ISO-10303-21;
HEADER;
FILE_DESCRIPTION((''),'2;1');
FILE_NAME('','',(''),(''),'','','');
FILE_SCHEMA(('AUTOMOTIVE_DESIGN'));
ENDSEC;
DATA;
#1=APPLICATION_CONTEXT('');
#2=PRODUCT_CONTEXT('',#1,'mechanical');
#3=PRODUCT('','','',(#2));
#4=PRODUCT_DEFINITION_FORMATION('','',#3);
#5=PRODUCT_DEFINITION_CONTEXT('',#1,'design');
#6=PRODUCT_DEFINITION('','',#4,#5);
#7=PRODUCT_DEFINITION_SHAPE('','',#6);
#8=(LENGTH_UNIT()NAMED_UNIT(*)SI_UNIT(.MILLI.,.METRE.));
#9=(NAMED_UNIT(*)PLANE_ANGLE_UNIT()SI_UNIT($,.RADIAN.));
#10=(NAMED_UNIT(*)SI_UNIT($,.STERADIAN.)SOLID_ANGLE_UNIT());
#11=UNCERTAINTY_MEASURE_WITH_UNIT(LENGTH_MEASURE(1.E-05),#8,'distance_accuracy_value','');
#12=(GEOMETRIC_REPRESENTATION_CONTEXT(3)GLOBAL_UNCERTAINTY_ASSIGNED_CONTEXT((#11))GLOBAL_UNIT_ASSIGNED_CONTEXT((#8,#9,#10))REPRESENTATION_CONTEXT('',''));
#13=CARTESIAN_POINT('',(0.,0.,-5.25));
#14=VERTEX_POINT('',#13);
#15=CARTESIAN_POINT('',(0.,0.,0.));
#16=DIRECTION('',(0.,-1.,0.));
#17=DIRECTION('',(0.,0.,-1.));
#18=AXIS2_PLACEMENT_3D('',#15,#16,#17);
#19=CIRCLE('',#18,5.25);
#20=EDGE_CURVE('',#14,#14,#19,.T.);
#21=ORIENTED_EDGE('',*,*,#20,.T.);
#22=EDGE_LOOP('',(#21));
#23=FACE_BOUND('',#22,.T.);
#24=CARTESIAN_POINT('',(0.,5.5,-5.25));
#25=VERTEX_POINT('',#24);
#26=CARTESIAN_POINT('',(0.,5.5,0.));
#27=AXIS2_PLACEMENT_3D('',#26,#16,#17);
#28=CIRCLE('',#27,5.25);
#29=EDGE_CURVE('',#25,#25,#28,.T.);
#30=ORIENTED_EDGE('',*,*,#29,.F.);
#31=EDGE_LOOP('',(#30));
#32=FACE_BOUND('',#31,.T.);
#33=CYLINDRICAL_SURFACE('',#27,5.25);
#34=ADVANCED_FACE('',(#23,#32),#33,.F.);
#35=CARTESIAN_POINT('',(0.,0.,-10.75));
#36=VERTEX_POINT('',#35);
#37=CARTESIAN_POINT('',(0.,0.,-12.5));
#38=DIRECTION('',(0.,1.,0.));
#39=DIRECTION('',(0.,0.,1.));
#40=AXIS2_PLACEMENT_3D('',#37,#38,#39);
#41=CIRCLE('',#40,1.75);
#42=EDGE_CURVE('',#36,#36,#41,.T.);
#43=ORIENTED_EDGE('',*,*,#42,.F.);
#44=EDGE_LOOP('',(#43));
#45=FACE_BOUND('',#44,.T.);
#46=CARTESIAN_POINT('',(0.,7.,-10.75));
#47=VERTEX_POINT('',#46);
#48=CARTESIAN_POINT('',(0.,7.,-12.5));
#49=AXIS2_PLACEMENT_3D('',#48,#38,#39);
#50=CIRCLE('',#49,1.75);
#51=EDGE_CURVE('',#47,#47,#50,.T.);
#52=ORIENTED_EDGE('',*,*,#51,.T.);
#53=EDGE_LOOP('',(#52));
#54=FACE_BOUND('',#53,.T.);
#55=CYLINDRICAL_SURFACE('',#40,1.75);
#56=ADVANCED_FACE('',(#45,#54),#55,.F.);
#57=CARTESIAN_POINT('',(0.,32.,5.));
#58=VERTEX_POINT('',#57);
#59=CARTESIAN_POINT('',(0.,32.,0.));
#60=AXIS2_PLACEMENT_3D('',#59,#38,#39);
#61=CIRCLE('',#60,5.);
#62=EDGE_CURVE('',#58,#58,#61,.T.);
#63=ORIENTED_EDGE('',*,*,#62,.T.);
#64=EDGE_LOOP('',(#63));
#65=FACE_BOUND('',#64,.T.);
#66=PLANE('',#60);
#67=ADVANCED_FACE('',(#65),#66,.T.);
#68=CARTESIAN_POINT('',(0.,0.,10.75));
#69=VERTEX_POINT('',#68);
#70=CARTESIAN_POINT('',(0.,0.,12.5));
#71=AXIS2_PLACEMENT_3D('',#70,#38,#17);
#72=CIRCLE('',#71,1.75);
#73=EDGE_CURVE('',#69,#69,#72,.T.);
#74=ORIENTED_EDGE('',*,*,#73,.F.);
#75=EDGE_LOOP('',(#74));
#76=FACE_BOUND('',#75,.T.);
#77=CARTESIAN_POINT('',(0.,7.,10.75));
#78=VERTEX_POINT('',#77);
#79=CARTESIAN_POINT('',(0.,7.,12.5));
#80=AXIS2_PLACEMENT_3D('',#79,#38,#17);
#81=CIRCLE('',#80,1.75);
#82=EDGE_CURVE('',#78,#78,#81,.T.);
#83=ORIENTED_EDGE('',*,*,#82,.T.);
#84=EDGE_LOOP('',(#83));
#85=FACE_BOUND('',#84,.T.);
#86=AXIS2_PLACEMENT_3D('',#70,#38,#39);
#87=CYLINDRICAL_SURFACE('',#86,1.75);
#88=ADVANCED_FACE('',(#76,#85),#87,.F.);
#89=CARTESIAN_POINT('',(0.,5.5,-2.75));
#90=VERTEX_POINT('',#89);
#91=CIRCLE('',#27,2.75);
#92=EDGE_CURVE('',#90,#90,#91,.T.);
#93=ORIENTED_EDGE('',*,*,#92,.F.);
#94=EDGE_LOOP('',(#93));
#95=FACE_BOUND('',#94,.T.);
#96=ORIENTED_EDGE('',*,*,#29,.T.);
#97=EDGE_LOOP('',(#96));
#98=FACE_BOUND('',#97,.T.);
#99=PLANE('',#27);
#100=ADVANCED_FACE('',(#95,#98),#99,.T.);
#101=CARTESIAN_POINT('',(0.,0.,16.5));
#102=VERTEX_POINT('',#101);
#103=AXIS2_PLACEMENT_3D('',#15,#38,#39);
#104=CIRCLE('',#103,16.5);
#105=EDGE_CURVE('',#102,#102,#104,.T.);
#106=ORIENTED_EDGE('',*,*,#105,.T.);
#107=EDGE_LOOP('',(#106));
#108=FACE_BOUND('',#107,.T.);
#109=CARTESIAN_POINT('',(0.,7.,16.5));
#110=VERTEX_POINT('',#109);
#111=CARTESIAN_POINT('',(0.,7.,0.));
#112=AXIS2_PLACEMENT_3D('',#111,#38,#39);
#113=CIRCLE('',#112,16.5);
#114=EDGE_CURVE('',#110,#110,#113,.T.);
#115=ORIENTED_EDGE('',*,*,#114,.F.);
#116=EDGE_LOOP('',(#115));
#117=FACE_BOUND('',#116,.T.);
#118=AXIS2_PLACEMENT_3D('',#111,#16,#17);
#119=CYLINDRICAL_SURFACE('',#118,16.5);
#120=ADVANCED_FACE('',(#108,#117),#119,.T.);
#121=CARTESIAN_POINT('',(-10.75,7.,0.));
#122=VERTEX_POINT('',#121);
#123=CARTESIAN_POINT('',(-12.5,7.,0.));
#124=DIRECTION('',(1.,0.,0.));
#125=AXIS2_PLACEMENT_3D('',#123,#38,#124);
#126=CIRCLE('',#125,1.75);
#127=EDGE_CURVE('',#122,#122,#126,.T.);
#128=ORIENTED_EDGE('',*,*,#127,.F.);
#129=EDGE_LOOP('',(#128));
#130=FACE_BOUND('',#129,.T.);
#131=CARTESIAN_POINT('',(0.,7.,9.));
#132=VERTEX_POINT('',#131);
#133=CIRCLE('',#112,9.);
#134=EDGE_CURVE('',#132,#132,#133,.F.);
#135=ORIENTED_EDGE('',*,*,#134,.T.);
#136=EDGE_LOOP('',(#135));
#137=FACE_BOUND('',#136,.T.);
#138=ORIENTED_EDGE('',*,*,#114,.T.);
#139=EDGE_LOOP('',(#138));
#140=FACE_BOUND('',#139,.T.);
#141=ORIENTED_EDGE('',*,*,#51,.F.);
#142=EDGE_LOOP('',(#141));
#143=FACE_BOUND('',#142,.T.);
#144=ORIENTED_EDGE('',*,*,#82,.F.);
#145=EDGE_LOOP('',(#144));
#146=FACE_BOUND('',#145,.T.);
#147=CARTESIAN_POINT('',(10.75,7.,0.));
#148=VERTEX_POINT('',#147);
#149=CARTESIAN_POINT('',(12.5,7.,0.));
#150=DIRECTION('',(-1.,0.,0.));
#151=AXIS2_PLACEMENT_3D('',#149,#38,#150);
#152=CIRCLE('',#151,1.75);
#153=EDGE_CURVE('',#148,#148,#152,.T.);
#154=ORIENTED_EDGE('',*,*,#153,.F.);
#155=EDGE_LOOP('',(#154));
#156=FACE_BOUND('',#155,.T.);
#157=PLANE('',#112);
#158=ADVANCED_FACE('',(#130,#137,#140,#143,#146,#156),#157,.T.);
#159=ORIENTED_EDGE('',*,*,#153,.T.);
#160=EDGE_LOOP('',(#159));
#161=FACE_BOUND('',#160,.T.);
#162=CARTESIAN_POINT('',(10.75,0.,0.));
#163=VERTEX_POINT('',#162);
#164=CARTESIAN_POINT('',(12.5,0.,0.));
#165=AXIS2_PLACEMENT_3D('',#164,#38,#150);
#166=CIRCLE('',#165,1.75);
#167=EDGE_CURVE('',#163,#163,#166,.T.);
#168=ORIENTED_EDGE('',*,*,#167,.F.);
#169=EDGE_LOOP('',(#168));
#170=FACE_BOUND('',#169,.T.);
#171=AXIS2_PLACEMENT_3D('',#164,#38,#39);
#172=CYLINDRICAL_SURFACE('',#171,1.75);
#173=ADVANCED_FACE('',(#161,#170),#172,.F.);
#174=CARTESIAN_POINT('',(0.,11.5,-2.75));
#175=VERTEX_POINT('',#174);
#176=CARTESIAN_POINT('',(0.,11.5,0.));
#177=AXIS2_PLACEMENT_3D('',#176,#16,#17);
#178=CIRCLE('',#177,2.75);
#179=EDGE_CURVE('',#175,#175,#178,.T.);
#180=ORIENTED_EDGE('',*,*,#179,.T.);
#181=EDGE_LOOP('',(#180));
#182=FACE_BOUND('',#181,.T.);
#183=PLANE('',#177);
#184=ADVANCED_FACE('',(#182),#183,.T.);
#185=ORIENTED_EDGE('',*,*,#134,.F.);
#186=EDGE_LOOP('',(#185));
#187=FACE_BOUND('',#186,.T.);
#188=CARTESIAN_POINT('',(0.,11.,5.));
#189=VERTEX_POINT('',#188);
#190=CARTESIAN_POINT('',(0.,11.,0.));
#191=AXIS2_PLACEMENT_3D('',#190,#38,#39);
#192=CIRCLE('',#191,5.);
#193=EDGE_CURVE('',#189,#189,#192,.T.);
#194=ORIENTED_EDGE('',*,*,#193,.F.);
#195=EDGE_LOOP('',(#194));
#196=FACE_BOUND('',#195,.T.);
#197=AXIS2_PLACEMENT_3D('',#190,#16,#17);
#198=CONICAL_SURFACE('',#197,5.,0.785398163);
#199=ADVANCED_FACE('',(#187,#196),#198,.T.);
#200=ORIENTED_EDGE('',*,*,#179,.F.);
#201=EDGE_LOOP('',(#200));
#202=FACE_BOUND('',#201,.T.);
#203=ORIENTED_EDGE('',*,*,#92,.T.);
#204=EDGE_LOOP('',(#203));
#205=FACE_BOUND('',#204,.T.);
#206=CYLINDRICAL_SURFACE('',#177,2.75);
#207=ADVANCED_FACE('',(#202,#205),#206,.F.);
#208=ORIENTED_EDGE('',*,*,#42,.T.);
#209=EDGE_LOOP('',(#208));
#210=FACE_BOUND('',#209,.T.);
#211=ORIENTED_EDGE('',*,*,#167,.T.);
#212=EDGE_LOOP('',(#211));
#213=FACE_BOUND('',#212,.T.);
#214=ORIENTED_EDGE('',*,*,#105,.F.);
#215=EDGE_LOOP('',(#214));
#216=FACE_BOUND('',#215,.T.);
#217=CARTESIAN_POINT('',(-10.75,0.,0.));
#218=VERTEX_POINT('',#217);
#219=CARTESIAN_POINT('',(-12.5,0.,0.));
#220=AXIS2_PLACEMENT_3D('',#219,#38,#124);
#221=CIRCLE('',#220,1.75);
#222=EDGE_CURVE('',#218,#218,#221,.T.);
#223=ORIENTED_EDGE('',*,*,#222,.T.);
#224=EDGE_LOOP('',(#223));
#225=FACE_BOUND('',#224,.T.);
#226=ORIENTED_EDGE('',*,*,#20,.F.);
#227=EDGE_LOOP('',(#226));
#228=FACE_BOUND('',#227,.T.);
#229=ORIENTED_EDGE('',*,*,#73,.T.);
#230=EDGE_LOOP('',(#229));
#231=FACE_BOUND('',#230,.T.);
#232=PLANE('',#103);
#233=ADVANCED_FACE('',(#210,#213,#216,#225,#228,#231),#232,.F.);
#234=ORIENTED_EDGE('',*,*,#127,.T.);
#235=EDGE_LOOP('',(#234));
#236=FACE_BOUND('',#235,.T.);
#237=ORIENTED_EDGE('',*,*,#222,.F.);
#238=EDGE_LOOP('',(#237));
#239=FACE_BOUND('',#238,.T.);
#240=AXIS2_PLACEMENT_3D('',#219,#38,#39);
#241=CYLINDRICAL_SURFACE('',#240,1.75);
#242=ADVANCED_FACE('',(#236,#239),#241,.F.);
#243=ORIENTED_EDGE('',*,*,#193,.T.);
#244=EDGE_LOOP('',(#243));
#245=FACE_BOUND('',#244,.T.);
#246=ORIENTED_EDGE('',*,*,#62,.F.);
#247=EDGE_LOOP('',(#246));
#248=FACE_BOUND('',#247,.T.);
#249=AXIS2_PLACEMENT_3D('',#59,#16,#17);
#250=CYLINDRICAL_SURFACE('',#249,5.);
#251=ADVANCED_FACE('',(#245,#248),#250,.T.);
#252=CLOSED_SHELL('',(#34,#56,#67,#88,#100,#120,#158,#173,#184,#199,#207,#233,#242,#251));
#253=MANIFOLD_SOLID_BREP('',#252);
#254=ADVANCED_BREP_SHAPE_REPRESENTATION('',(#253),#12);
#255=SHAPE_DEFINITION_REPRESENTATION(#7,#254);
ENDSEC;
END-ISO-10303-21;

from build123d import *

# Parameters (mm, degrees)
SKETCH1_R           = 16.5
BOSS_EXTRUDE1_DEPTH = 7
SKETCH2_R           = 1.75
CUT_EXTRUDE1_DEPTH  = 8
CIRPATTERN1_COUNT   = 4
SKETCH3_R           = 5
BOSS_EXTRUDE2_DEPTH = 25
CHAMFER1_SIZE       = 4
SKETCH6_R           = 5.25
CUT_EXTRUDE4_DEPTH  = 5.5
SKETCH8_R           = 2.75
CUT_EXTRUDE5_DEPTH  = 6


with BuildPart() as part:
    # Sketch1 → Boss-Extrude1 (new body)
    with BuildSketch(Plane(origin=(0, 0, 0), x_dir=(1, 0, 0), z_dir=(0, 1, 0))):
        Circle(SKETCH1_R)
    extrude(amount=BOSS_EXTRUDE1_DEPTH)

    # Sketch2 → Cut-Extrude1 (cut, through all)
    with BuildSketch(Plane(origin=(0, 7, 0), x_dir=(1, 0, 0), z_dir=(0, 1, 0))):
        with Locations((0, 12.5)):
            Circle(SKETCH2_R)
    cut_extrude1 = extrude(amount=-CUT_EXTRUDE1_DEPTH, mode=Mode.SUBTRACT)

    # CirPattern1: Cut-Extrude1 ×4 about axis
    cirpattern1_axis = Axis((0, 0, 0), (0, 1, 0))
    for i in range(1, CIRPATTERN1_COUNT):
        add(cut_extrude1.rotate(cirpattern1_axis, i * 360 / CIRPATTERN1_COUNT), mode=Mode.SUBTRACT)

    # Sketch3 → Boss-Extrude2 (add)
    with BuildSketch(Plane(origin=(0, 7, 0), x_dir=(1, 0, 0), z_dir=(0, 1, 0))):
        Circle(SKETCH3_R)
    extrude(amount=BOSS_EXTRUDE2_DEPTH)

    # Chamfer1
    chamfer1_edges = [part.edges().sort_by_distance(p)[0] for p in [
        (-5, 7, 0),
    ]]
    chamfer(chamfer1_edges, length=CHAMFER1_SIZE)

    # Sketch6 → Cut-Extrude4 (cut)
    with BuildSketch(Plane.XZ):
        Circle(SKETCH6_R)
    extrude(amount=-CUT_EXTRUDE4_DEPTH, mode=Mode.SUBTRACT)

    # Sketch8 → Cut-Extrude5 (cut)
    with BuildSketch(Plane.XZ.offset(-5.5)):
        Circle(SKETCH8_R)
    extrude(amount=-CUT_EXTRUDE5_DEPTH, mode=Mode.SUBTRACT)


solid = part.part
